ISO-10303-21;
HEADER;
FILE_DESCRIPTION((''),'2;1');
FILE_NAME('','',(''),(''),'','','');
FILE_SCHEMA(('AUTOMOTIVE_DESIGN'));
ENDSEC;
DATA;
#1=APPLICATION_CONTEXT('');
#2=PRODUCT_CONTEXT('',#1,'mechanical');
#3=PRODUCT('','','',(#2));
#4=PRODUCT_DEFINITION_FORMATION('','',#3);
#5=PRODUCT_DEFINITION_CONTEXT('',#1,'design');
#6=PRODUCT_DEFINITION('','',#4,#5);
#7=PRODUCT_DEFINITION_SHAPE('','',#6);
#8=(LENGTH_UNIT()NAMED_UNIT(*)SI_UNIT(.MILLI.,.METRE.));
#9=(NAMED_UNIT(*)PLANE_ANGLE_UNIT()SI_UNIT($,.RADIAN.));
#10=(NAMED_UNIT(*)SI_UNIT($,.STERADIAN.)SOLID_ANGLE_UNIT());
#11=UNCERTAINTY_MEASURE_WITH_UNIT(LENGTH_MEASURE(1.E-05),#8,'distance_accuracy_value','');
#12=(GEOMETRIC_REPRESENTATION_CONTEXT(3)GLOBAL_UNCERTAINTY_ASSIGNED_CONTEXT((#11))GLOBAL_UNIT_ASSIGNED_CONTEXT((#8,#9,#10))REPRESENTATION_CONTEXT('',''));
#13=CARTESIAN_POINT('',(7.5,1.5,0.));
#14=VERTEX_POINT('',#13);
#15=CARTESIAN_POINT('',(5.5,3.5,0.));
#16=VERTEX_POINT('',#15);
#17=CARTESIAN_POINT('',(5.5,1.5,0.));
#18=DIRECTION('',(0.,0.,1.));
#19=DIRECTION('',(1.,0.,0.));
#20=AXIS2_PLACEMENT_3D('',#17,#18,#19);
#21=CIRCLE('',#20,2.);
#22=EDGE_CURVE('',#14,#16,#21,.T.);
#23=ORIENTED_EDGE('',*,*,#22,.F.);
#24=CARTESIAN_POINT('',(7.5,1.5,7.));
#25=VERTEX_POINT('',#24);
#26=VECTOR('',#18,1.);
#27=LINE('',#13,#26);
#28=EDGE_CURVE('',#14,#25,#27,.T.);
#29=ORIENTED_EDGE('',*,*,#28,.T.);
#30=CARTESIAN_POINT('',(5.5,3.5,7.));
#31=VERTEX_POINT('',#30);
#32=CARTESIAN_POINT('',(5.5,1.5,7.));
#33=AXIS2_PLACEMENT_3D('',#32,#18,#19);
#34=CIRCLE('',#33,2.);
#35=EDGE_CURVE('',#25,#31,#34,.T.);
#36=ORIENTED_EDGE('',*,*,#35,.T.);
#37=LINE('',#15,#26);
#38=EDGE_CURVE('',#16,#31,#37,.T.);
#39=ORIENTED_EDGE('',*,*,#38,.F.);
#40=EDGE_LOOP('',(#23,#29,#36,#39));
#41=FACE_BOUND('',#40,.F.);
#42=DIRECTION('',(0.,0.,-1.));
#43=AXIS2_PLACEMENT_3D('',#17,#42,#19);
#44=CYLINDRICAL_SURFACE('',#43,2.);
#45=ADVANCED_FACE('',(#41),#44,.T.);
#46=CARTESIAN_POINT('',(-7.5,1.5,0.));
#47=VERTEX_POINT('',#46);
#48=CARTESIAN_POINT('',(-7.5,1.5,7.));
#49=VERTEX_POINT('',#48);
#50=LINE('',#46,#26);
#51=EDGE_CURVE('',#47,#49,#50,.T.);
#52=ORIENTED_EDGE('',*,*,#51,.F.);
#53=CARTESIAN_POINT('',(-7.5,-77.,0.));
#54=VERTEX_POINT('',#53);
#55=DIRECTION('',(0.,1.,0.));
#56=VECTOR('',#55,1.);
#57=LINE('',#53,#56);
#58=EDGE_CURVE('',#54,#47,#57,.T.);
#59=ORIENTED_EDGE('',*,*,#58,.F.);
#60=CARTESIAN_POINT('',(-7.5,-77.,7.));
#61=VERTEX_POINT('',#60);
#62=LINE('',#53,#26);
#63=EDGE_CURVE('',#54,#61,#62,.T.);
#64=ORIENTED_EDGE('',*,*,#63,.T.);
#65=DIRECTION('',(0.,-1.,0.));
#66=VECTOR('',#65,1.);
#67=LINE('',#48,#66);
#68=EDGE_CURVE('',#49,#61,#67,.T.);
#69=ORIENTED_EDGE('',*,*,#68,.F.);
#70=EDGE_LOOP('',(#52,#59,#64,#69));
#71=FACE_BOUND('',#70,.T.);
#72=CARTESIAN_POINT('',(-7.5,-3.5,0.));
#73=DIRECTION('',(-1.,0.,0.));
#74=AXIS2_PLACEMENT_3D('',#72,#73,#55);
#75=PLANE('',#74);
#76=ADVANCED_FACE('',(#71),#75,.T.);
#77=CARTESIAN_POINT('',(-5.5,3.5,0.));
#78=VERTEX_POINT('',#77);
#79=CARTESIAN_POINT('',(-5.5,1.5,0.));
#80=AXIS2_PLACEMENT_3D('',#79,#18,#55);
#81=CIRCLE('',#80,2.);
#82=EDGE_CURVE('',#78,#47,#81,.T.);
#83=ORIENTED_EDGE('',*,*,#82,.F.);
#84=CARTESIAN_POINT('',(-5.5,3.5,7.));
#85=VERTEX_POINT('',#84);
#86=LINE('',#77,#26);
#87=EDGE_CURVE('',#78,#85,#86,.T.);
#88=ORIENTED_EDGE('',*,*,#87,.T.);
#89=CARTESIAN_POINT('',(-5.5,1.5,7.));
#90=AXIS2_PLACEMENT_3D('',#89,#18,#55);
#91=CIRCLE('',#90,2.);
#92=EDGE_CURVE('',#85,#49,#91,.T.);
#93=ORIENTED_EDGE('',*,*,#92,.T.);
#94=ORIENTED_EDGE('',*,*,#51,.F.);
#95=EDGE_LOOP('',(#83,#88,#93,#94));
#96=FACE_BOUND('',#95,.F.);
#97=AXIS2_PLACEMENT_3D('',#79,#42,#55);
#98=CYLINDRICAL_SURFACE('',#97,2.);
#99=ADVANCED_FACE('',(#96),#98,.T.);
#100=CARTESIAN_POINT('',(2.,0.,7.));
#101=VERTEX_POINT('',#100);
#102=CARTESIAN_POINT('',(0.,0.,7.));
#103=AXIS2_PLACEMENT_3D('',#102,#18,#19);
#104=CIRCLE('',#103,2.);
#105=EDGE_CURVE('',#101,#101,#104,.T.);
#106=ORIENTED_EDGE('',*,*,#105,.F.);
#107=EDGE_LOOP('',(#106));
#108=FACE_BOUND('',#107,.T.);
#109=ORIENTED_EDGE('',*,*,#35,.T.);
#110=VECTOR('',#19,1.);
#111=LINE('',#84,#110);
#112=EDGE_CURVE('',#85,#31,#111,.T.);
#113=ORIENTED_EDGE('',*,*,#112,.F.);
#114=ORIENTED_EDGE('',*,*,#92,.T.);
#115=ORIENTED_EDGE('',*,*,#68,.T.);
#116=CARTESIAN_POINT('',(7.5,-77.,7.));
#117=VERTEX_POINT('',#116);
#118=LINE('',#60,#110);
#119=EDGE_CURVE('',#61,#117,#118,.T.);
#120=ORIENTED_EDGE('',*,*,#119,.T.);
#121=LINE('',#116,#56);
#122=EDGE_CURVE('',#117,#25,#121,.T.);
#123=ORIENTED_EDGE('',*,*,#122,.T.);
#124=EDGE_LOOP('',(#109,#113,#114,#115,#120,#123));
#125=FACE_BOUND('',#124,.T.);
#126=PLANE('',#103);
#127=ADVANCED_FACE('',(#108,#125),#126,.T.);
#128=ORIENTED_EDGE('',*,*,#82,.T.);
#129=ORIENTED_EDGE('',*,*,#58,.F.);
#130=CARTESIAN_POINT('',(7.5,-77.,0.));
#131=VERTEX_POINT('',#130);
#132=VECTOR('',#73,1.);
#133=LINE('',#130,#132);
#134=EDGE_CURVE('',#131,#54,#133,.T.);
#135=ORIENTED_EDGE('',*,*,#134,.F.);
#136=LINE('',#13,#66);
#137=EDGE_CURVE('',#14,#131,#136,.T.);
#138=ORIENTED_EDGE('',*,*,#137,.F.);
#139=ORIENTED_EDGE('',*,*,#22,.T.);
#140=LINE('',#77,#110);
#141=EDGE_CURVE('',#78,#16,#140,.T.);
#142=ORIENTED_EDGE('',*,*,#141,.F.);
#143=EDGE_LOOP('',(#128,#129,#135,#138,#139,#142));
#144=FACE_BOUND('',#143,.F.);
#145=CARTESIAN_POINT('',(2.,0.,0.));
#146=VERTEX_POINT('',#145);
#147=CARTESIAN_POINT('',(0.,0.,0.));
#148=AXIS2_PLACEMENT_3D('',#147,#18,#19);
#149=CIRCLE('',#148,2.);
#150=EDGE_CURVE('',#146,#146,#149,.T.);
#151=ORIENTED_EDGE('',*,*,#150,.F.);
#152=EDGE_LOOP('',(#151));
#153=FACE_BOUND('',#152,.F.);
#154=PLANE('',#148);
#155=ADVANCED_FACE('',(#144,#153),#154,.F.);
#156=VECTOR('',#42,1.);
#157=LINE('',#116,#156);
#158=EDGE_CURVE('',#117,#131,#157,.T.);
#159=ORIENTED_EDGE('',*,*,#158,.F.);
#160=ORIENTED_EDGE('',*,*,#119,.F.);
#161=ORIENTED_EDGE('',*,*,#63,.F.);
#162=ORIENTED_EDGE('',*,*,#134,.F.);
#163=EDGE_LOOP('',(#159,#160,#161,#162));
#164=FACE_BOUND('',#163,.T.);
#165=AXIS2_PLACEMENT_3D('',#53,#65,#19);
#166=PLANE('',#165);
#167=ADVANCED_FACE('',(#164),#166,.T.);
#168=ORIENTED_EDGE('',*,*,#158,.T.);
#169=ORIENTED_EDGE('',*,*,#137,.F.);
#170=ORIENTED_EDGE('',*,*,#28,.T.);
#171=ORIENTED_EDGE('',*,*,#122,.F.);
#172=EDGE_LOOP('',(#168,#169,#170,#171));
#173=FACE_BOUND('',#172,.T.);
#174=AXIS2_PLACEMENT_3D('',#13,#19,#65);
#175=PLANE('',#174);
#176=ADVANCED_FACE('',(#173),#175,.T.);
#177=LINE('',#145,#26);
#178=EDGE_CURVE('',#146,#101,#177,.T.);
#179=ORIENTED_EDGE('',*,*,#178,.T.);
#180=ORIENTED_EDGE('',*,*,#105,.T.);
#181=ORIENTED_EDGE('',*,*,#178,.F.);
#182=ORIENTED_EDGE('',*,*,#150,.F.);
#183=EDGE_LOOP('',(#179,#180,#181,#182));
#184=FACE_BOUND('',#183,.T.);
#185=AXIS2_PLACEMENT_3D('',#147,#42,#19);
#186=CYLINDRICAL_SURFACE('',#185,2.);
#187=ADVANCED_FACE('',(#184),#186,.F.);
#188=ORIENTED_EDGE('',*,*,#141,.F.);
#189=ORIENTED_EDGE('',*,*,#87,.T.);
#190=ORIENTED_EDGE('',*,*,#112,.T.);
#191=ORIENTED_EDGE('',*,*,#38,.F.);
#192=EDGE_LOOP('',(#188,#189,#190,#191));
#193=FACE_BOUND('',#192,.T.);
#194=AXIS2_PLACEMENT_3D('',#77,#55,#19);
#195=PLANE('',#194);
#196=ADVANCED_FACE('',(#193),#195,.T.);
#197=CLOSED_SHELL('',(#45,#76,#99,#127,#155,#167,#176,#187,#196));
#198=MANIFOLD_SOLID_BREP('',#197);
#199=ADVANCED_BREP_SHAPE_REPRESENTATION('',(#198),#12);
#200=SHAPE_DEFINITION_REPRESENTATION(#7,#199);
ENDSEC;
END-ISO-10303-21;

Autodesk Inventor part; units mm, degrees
ref_plane "YZ Plane" through (0, 0, 0) normal (1, 0, 0) x (0, 1, 0)
ref_plane "XZ Plane" through (0, 0, 0) normal (0, 1, 0) x (-1, 0, 0)
ref_plane "XY Plane" through (0, 0, 0) normal (0, 0, 1) x (1, 0, 0)
sketch "Sketch1" plane through (0, 0, 0) normal (0, 0, 1) x (1, 0, 0)
  circle A0 centre (0, 0) radius 2
  line L0 (-5.5, 3.5) -> (5.5, 3.5)
  line L1 (7.5, 1.5) -> (7.5, -3.5)
  line L2 (7.5, -3.5) -> (-7.5, -3.5)
  line L3 (-7.5, -3.5) -> (-7.5, 1.5)
  arc A1 (-5.5, 3.5) -> (-7.5, 1.5) centre (-5.5, 1.5) ccw
  arc A2 (7.5, 1.5) -> (5.5, 3.5) centre (5.5, 1.5) ccw
  point P0 (7.5, 3.5)
  dimension "d0" = 4
  dimension "d1" = 15
  dimension "d2" = 7
  dimension "d3" = 7.5
  dimension "d4" = 3.5
  dimension "d5" = 2
extrude "Extrusion1" add sketch "Sketch1" along normal blind 7
sketch "Sketch2" plane through (-7.5, -3.5, 0) normal (0, -1, 0) x (1, 0, 0)
  line L0 (15, 0) -> (13, 0) projected
  line L1 (0, 7) -> (15, 7)
  line L2 (15, 7) -> (15, 0)
  line L3 (15, 0) -> (0, 0)
  line L4 (0, 0) -> (0, 7)
  line L5 (0, 7) -> (15, 7) projected
  line L6 (0, 0) -> (0, 7) projected
  point P0 (7.5, 0)
  dimension "d8" = 0
  dimension "d9" = 0
extrude "Extrusion2" add sketch "Sketch2" along normal blind 73.5
properties part number "backside arm"
